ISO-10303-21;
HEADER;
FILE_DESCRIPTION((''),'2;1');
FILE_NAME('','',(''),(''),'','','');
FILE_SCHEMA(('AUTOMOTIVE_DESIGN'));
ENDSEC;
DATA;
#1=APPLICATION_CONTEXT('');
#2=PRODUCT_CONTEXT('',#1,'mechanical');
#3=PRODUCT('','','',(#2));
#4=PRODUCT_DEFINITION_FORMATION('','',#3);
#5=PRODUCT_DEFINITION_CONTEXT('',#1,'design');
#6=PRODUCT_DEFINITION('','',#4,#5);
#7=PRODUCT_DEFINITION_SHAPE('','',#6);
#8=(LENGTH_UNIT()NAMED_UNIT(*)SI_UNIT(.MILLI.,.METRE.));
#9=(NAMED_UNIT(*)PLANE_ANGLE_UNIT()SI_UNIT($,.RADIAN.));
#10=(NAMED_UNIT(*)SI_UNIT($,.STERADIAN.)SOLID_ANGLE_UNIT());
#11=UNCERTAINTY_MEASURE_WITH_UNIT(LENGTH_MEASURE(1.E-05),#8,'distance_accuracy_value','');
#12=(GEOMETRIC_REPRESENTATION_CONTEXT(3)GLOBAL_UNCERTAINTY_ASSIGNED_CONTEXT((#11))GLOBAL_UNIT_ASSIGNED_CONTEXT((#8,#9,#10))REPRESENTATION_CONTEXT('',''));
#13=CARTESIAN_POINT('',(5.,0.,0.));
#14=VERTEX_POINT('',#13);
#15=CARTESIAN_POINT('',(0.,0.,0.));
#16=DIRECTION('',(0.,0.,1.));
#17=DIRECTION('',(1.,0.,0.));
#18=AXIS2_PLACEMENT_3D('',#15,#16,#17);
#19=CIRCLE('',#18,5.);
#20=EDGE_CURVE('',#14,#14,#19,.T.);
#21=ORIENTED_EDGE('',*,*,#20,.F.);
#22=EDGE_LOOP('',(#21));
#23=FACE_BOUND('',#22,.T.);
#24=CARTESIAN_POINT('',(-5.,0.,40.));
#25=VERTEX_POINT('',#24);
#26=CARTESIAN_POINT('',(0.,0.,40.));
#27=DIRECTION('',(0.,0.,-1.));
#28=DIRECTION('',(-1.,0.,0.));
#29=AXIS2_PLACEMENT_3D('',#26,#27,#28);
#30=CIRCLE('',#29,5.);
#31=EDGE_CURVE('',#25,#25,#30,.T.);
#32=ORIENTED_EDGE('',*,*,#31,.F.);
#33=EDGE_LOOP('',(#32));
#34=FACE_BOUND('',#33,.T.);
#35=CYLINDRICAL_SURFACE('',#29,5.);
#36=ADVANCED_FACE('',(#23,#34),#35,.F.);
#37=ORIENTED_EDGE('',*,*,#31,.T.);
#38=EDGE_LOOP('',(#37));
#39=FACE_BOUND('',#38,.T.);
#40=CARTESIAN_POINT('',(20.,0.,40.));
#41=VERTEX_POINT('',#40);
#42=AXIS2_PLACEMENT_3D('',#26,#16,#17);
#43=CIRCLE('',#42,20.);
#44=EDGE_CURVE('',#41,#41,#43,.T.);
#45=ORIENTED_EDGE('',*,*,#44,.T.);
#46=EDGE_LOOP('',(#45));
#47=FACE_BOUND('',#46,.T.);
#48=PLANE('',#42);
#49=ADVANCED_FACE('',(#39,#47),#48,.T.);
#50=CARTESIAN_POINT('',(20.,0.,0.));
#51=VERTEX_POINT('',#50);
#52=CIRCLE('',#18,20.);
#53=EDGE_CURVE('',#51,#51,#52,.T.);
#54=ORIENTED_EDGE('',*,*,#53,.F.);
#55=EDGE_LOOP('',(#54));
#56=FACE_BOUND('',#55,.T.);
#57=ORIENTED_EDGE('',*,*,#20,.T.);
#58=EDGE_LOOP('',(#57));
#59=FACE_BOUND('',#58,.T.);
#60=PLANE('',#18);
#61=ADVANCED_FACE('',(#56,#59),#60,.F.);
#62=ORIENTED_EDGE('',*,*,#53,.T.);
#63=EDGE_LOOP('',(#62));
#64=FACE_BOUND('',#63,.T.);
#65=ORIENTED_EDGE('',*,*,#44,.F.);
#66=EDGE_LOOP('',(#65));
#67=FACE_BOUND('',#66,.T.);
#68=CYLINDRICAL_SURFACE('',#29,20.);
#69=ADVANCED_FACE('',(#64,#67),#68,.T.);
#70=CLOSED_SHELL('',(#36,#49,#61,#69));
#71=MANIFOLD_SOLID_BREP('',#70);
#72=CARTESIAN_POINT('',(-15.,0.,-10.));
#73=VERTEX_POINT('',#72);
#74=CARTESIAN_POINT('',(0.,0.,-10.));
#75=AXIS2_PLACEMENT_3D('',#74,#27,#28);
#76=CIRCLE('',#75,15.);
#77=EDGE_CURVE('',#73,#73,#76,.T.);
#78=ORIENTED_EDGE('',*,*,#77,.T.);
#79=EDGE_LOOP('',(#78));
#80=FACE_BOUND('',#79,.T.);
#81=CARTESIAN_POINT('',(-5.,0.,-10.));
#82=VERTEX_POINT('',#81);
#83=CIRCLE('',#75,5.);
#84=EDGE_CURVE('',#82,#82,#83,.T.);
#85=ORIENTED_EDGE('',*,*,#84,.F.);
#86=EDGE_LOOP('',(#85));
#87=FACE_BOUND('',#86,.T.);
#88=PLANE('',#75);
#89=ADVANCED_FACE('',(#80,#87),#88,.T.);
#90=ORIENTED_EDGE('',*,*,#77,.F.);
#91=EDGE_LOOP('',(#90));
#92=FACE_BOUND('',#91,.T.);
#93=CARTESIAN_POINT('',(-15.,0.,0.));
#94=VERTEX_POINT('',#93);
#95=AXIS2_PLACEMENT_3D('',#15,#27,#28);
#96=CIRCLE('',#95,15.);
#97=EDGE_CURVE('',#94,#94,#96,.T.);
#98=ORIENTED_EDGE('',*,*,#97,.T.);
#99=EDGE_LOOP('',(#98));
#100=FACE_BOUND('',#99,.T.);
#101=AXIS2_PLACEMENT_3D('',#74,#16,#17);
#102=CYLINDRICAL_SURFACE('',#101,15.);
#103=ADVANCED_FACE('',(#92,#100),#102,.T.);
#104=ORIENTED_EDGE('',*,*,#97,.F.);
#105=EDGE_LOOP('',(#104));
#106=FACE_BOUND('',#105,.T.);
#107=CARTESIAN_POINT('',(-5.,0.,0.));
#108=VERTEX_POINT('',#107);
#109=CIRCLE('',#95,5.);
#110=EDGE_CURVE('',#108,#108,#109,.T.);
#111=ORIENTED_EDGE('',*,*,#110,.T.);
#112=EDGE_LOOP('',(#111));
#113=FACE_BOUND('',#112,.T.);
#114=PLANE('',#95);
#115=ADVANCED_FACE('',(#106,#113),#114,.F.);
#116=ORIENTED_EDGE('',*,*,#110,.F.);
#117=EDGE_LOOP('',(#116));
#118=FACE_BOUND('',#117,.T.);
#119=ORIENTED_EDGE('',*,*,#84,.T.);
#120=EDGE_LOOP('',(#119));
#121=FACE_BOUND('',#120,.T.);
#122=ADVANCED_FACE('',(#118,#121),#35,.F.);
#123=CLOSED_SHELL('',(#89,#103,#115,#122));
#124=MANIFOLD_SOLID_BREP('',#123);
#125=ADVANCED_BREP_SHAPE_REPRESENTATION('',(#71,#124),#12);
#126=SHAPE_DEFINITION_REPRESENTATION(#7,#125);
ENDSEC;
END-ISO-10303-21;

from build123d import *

# Parameters (mm, degrees)
SKETCH_1_R          = 20
EXTRUDE_1_DEPTH     = 40
SKETCH_2_R          = 15
EXTRUDE_2_DEPTH     = 10
SKETCH_3_R          = 5
CUT_EXTRUDE_1_DEPTH = 50


with BuildPart() as part:
    # 草图1 → 凸台-拉伸1 (new body)
    with BuildSketch(Plane.XY):
        Circle(SKETCH_1_R)
    extrude(amount=EXTRUDE_1_DEPTH)


with BuildPart() as body_2:
    # 草图2 → 凸台-拉伸2 (new body)
    with BuildSketch(Plane(origin=(0, 0, 0), x_dir=(-1, 0, 0), z_dir=(0, 0, -1))):
        Circle(SKETCH_2_R)
    extrude(amount=EXTRUDE_2_DEPTH)


with BuildPart() as cut_extrude_1_tool:
    # 草图3 → 切除-拉伸1 (new body)
    with BuildSketch(Plane(origin=(0, 0, -10), x_dir=(-1, 0, 0), z_dir=(0, 0, -1))):
        Circle(SKETCH_3_R)
    extrude(amount=-CUT_EXTRUDE_1_DEPTH)


with BuildPart() as part_1:
    add(part.part)

    # 切除-拉伸1: cut by cut_extrude_1_tool
    add(cut_extrude_1_tool.part, mode=Mode.SUBTRACT)


with BuildPart() as body_2_1:
    add(body_2.part)

    # 切除-拉伸1: cut by cut_extrude_1_tool
    add(cut_extrude_1_tool.part, mode=Mode.SUBTRACT)


solid = Compound([part_1.part, body_2_1.part])
